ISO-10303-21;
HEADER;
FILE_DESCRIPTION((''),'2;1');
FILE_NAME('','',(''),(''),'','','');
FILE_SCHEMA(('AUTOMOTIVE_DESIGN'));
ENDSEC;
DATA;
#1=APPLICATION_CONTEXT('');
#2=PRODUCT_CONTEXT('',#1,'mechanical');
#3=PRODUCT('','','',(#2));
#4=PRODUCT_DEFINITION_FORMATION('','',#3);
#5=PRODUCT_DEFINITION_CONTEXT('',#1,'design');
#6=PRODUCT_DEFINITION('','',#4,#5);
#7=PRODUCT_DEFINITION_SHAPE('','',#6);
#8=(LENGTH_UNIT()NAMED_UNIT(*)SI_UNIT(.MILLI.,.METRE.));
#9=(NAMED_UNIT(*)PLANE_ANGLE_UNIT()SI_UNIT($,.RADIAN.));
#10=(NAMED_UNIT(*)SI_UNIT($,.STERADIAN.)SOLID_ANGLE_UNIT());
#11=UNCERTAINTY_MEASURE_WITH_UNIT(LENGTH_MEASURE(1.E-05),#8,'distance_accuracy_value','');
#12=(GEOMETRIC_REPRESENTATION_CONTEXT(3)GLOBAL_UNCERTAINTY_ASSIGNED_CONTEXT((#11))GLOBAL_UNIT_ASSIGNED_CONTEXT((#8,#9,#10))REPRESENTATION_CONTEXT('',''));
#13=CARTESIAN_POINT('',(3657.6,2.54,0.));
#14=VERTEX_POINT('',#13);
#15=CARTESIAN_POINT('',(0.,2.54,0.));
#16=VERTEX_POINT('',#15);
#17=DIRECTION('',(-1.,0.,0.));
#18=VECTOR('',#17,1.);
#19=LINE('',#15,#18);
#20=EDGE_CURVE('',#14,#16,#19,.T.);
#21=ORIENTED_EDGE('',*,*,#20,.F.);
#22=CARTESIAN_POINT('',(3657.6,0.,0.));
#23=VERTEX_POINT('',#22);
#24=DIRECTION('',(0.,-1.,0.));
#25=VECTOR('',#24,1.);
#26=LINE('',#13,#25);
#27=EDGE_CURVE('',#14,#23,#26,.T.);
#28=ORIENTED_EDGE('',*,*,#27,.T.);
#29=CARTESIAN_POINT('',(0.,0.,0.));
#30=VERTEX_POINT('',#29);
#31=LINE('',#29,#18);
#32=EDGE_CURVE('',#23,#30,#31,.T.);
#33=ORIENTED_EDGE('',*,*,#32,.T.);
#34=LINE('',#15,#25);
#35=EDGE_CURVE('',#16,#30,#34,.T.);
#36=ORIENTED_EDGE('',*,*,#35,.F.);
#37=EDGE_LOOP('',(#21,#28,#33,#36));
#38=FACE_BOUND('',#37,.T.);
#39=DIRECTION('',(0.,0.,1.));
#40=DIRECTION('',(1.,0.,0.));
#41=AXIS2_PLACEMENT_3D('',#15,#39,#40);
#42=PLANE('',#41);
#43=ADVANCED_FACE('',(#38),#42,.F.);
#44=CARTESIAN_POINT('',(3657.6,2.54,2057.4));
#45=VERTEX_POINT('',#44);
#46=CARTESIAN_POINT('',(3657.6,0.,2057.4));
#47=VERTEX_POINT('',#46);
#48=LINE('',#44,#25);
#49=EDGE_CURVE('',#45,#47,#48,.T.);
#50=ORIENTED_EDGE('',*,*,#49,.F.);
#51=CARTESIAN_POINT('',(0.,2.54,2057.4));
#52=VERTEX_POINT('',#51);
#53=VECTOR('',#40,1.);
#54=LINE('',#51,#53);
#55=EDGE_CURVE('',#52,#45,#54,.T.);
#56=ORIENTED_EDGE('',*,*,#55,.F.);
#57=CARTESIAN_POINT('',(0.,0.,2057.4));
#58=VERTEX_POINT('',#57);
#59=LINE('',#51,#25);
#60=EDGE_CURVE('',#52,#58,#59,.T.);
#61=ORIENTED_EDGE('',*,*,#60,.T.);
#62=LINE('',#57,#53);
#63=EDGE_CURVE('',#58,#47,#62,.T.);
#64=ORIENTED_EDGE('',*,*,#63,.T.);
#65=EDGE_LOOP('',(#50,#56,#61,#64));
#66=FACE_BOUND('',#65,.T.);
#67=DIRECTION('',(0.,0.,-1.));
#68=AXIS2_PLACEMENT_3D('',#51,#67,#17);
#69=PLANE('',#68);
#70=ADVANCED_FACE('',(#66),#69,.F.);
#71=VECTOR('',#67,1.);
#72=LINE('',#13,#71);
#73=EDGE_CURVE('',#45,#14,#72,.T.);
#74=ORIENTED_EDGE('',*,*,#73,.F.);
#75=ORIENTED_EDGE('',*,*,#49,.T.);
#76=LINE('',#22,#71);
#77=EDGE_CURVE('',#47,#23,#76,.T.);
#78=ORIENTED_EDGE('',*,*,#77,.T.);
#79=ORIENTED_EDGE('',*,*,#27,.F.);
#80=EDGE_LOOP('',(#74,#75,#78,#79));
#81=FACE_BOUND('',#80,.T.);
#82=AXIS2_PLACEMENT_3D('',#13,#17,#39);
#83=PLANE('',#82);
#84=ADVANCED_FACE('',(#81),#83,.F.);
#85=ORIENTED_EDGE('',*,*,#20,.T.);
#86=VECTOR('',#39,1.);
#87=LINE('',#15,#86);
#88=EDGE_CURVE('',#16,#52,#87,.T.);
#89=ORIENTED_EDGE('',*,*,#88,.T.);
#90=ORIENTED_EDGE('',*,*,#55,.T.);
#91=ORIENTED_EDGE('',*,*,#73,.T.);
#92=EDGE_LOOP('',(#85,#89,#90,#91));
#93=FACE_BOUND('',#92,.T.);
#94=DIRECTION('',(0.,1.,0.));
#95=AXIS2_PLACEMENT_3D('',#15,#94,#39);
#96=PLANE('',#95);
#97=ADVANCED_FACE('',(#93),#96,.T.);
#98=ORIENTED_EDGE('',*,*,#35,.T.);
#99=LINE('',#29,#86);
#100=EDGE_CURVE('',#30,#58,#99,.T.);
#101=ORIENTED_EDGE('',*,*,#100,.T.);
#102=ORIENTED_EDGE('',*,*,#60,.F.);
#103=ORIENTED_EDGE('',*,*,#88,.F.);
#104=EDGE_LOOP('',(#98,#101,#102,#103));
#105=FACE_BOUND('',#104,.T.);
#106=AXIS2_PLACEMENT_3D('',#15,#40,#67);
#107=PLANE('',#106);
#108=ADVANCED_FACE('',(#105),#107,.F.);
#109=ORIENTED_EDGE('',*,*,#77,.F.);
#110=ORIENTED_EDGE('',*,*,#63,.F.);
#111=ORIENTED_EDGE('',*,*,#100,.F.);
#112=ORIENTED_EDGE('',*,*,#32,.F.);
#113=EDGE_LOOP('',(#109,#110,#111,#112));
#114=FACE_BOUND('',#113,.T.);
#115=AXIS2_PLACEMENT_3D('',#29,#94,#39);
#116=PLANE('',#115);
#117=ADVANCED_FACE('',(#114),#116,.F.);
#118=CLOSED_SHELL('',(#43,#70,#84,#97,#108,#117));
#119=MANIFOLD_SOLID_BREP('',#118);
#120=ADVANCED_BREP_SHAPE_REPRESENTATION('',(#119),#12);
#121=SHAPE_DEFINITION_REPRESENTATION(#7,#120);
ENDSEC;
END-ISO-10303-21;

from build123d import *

# Parameters (mm, degrees)
SKETCH1_W           = 3657.6
SKETCH1_H           = 2057.4
BOSS_EXTRUDE1_DEPTH = 2.54


with BuildPart() as part:
    # Sketch1 → Boss-Extrude1 (new body)
    with BuildSketch(Plane(origin=(0, 0, 0), x_dir=(1, 0, 0), z_dir=(0, 1, 0))):
        with Locations((1828.8, -1028.7)):
            Rectangle(SKETCH1_W, SKETCH1_H)
    extrude(amount=BOSS_EXTRUDE1_DEPTH)


solid = part.part
